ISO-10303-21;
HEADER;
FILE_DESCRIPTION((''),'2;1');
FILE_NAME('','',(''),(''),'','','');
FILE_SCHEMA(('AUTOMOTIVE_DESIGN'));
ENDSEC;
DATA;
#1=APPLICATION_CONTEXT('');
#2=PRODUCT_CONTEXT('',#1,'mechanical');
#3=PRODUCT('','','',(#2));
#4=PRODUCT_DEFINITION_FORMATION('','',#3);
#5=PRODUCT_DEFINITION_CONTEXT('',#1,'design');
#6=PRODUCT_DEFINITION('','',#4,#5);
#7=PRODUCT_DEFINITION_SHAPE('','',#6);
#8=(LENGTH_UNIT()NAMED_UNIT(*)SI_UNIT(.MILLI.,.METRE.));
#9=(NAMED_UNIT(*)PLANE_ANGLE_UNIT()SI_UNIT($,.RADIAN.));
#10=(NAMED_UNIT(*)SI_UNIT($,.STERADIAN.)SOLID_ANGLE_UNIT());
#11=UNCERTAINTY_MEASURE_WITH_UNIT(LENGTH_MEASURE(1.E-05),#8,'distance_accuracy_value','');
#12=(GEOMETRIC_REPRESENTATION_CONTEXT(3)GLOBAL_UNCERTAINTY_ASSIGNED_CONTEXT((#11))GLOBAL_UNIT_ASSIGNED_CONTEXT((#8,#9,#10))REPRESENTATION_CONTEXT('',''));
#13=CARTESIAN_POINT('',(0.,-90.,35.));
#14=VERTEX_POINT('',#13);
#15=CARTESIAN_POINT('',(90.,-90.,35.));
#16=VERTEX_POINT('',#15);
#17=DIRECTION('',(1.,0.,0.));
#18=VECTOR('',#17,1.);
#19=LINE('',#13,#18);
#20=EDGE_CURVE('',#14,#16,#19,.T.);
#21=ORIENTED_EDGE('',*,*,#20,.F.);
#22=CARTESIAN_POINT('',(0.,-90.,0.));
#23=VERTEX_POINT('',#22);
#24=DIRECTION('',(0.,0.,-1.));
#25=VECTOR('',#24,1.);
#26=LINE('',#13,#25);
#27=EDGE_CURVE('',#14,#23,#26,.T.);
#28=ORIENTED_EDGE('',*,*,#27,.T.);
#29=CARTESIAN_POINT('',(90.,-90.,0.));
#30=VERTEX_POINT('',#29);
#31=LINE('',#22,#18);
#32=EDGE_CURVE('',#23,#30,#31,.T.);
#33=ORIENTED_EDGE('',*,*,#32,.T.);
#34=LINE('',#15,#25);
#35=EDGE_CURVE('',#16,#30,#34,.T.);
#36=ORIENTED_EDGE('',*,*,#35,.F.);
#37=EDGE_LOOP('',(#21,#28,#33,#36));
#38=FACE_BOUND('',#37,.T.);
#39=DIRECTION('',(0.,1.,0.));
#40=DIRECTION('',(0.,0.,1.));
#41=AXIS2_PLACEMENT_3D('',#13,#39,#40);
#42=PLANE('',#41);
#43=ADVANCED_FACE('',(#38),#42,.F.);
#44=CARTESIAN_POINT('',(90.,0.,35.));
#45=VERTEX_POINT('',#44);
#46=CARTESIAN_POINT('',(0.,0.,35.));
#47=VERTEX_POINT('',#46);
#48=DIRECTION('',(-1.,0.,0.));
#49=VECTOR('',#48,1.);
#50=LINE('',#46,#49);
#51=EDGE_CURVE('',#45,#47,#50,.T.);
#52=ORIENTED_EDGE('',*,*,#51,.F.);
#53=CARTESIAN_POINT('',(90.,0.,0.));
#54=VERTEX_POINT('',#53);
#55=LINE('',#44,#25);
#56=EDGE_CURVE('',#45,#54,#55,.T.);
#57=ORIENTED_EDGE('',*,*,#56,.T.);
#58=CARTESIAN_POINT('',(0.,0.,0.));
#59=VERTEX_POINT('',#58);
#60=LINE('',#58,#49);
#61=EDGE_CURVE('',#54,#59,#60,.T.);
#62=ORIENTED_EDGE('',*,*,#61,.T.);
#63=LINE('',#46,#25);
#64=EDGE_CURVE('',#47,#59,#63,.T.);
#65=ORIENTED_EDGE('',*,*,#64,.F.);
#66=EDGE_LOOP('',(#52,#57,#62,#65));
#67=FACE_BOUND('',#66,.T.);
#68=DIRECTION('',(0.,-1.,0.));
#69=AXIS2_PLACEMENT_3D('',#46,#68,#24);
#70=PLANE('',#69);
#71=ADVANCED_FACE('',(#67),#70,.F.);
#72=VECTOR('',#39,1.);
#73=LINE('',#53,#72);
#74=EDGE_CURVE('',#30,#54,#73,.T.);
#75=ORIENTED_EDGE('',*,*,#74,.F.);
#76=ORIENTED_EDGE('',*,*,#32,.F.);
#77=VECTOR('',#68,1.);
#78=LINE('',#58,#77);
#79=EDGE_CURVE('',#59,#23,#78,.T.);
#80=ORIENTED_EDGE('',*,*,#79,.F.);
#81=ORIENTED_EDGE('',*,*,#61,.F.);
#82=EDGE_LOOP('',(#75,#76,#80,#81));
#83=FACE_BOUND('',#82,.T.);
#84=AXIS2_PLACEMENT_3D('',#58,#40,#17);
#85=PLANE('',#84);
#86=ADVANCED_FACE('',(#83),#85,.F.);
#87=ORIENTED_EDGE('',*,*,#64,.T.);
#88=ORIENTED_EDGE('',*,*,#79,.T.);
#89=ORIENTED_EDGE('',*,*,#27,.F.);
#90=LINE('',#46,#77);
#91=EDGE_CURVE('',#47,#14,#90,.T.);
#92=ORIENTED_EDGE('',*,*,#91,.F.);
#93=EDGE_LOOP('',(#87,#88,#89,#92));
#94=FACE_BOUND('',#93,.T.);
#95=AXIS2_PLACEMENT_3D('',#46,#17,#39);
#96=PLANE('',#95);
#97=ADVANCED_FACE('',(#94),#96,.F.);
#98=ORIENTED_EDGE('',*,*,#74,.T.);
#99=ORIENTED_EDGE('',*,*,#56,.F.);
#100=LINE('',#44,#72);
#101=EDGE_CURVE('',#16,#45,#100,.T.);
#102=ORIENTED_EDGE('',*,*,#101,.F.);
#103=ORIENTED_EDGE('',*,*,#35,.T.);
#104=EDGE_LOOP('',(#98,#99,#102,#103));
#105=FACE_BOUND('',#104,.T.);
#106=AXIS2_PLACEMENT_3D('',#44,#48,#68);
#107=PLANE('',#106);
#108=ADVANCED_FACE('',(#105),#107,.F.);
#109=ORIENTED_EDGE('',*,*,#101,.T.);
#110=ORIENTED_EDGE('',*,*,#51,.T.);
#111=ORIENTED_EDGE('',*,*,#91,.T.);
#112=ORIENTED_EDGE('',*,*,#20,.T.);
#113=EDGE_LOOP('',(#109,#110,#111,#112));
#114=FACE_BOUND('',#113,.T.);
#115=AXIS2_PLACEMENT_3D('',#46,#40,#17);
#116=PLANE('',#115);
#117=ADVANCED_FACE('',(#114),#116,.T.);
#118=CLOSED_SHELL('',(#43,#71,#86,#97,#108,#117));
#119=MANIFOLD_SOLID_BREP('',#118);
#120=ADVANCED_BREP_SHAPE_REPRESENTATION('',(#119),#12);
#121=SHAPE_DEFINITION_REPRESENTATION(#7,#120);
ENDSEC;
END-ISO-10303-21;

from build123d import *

# Parameters (mm, degrees)
SKICA1_W                = 90
SKICA1_H                = 90
P_IDAT_VYSUNUT_M1_DEPTH = 35


with BuildPart() as part:
    # Skica1 → Přidat vysunutím1 (new body)
    with BuildSketch(Plane.XY):
        with Locations((45, -45)):
            Rectangle(SKICA1_W, SKICA1_H)
    extrude(amount=P_IDAT_VYSUNUT_M1_DEPTH)


solid = part.part
